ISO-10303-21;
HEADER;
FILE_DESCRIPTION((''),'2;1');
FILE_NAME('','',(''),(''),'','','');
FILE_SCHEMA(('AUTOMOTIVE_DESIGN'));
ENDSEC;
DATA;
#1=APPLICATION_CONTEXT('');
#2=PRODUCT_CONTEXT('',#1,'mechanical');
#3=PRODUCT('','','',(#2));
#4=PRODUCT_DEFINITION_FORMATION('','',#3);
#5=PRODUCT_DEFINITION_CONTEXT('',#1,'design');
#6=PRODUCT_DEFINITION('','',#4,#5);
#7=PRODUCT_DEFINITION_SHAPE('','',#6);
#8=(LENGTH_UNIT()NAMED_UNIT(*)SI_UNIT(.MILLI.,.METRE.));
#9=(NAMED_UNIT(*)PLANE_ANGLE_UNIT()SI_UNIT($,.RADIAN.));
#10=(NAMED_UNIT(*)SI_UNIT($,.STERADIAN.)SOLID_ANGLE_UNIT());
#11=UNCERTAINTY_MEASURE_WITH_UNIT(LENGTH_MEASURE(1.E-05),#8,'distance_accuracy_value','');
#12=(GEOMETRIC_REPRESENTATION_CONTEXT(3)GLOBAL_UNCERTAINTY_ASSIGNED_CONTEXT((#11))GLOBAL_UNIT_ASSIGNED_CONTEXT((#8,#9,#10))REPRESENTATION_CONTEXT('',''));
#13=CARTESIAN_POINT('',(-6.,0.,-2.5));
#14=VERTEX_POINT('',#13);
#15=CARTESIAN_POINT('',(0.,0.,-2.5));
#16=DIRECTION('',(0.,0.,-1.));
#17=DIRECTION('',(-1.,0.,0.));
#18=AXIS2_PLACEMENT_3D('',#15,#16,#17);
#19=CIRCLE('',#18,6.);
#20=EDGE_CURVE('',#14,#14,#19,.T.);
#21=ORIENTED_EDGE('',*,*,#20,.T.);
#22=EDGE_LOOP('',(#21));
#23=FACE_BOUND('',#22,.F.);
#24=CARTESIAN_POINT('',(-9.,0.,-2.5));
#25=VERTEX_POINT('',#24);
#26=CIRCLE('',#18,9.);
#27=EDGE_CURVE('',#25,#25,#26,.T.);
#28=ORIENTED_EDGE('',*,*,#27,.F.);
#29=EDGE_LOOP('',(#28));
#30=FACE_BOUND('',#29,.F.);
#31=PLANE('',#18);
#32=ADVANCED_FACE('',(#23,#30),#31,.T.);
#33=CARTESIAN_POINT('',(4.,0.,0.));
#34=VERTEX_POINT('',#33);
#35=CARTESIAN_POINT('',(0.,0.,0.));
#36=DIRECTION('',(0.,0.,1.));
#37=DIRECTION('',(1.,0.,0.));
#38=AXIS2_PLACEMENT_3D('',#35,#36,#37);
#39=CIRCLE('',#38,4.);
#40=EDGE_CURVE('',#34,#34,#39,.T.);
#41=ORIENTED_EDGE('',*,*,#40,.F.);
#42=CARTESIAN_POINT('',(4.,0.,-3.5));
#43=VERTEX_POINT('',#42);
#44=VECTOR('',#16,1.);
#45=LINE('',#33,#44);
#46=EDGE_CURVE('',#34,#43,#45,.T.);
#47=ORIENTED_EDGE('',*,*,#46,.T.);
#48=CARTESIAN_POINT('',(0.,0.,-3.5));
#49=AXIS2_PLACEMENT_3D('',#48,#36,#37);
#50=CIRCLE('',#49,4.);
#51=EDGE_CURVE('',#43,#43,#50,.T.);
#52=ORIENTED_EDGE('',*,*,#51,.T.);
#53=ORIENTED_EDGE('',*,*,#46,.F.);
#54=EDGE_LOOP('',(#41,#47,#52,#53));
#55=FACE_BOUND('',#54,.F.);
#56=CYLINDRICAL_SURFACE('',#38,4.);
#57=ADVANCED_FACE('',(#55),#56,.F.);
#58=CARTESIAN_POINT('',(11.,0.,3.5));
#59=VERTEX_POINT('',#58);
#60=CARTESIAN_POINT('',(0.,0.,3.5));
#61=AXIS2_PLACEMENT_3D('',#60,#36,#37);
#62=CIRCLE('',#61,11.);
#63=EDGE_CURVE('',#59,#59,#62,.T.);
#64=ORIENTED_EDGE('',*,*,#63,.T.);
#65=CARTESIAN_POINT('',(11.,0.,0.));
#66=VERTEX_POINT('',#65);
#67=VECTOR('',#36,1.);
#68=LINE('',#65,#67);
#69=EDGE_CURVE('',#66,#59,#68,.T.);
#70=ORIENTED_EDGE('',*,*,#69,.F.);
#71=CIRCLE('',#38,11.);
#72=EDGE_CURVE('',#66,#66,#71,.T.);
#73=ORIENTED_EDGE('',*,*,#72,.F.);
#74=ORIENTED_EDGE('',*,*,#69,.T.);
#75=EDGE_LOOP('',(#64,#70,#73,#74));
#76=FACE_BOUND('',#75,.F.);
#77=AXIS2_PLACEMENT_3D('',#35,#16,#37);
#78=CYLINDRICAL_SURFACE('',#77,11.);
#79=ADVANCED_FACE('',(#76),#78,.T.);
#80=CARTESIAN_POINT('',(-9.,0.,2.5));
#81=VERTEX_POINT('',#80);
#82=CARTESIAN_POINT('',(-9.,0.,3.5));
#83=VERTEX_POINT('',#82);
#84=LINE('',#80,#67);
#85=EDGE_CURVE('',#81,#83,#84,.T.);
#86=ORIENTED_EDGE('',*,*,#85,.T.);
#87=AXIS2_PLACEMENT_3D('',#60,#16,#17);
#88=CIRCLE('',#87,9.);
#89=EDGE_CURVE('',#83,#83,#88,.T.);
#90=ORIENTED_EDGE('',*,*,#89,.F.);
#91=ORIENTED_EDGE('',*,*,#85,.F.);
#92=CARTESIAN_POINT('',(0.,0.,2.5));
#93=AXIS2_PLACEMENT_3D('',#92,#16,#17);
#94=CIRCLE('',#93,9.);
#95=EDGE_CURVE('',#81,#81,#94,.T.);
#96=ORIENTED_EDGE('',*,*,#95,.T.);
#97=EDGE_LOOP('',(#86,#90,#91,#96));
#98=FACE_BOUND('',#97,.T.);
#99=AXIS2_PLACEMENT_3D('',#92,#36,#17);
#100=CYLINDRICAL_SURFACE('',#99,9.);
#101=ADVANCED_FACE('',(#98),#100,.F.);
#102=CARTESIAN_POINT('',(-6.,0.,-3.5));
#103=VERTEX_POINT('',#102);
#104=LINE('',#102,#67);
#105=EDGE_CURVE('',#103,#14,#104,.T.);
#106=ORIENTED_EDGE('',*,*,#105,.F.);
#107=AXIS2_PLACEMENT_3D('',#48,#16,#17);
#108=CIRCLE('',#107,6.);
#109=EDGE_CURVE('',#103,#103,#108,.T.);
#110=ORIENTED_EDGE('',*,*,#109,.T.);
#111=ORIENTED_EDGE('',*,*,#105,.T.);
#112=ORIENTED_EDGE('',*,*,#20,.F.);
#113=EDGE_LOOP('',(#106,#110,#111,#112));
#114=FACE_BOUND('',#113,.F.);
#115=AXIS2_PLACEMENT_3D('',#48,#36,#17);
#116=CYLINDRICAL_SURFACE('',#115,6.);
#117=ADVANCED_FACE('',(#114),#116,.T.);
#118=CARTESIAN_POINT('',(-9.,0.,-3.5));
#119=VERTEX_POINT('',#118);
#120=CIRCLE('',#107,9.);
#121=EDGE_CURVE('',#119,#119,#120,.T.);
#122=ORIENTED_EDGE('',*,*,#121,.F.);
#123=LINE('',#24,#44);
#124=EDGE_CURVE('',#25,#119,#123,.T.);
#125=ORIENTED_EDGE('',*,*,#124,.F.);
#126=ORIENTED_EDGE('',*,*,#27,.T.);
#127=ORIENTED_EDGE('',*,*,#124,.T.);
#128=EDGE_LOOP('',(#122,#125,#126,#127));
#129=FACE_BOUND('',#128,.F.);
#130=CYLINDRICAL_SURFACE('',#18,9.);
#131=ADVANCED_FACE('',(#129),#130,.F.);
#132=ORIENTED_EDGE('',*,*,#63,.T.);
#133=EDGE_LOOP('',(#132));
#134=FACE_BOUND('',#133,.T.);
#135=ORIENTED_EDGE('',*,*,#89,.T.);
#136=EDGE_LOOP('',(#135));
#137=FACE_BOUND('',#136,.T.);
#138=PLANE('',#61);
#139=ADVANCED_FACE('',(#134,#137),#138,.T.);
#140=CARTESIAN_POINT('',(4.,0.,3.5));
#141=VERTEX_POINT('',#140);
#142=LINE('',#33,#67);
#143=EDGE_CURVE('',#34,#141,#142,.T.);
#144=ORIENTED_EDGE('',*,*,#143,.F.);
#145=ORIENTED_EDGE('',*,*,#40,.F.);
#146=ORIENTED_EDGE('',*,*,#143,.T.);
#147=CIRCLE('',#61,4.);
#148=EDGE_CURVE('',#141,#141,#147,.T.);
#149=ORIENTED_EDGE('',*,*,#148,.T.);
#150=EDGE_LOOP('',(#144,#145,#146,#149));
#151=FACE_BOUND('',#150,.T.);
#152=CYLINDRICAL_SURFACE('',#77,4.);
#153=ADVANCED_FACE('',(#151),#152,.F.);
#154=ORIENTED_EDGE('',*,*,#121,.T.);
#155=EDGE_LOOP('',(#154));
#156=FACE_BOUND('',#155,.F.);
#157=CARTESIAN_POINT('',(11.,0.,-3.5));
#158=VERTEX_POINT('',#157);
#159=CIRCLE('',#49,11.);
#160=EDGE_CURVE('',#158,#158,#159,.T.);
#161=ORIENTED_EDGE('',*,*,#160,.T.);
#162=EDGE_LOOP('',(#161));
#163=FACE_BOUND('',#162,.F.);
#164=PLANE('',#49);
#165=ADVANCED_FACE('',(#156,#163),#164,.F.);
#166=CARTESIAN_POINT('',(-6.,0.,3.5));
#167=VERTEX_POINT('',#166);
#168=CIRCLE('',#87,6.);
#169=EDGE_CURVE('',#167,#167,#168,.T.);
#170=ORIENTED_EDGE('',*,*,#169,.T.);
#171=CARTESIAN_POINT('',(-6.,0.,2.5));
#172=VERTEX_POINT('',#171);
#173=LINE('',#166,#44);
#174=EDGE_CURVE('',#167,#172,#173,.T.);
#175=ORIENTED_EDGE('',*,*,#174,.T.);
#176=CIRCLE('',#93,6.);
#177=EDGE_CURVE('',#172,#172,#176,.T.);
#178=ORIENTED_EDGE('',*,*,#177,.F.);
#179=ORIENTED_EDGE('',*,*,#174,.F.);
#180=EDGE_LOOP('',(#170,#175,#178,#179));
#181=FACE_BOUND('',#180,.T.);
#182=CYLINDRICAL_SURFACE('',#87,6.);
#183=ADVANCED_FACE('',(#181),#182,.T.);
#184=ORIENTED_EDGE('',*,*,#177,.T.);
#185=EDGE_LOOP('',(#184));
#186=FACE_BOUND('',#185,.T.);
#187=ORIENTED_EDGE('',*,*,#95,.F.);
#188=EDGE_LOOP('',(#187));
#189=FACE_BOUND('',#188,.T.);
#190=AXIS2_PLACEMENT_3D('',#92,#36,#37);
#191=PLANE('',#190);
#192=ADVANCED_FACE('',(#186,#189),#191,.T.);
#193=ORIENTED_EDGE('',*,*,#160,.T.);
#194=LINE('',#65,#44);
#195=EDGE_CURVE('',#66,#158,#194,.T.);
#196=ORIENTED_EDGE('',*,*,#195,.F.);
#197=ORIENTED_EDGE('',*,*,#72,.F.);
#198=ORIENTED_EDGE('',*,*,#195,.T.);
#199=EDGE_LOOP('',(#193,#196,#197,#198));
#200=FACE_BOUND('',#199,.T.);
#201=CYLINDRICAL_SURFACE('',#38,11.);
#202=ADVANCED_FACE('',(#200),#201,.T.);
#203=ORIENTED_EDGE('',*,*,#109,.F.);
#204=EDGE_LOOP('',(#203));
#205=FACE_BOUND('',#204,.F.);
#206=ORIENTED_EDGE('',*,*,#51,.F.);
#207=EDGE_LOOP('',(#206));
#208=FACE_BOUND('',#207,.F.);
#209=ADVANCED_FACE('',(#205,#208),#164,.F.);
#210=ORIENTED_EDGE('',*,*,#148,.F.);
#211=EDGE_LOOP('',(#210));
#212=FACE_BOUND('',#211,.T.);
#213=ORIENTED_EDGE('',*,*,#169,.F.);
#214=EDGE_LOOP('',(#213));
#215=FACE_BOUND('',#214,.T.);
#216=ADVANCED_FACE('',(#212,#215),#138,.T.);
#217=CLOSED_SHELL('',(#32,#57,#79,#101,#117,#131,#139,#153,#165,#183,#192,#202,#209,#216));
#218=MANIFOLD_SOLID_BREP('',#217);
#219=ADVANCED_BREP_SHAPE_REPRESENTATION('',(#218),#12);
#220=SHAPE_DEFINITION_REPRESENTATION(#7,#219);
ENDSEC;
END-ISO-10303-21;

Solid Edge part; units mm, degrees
sketch "Sketch1" plane through (0, 0, 0) normal (0, 0, 1) x (1, 0, 0)
  circle A0 centre (0, 0) radius 11
  circle A1 centre (0, 0) radius 4
  dimension "D1" = 8
  dimension "D2" = 22
extrude "Protrusion1" add sketch "Sketch1" along normal mid plane 7
sketch "Sketch2" plane through (0, 0, 0) normal (0, -1, 0) x (1, 0, 0)
  line L0 (-6, -3.5) -> (-6, -2.5)
  line L1 (-6, -2.5) -> (-9, -2.5)
  line L2 (-9, -2.5) -> (-9, -3.5)
  dimension "D1" = 1
revolve "RevolvedCutout1" cut sketch "Sketch2" angle 360 about axis through (0, 0, 54) along (0, 0, -1) material side at (-6.05, 0, -3)
mirror "Mirror1" about plane through (0, 0, 0) normal (0, 0, 1) of "RevolvedCutout1"
properties material "Stainless steel"
